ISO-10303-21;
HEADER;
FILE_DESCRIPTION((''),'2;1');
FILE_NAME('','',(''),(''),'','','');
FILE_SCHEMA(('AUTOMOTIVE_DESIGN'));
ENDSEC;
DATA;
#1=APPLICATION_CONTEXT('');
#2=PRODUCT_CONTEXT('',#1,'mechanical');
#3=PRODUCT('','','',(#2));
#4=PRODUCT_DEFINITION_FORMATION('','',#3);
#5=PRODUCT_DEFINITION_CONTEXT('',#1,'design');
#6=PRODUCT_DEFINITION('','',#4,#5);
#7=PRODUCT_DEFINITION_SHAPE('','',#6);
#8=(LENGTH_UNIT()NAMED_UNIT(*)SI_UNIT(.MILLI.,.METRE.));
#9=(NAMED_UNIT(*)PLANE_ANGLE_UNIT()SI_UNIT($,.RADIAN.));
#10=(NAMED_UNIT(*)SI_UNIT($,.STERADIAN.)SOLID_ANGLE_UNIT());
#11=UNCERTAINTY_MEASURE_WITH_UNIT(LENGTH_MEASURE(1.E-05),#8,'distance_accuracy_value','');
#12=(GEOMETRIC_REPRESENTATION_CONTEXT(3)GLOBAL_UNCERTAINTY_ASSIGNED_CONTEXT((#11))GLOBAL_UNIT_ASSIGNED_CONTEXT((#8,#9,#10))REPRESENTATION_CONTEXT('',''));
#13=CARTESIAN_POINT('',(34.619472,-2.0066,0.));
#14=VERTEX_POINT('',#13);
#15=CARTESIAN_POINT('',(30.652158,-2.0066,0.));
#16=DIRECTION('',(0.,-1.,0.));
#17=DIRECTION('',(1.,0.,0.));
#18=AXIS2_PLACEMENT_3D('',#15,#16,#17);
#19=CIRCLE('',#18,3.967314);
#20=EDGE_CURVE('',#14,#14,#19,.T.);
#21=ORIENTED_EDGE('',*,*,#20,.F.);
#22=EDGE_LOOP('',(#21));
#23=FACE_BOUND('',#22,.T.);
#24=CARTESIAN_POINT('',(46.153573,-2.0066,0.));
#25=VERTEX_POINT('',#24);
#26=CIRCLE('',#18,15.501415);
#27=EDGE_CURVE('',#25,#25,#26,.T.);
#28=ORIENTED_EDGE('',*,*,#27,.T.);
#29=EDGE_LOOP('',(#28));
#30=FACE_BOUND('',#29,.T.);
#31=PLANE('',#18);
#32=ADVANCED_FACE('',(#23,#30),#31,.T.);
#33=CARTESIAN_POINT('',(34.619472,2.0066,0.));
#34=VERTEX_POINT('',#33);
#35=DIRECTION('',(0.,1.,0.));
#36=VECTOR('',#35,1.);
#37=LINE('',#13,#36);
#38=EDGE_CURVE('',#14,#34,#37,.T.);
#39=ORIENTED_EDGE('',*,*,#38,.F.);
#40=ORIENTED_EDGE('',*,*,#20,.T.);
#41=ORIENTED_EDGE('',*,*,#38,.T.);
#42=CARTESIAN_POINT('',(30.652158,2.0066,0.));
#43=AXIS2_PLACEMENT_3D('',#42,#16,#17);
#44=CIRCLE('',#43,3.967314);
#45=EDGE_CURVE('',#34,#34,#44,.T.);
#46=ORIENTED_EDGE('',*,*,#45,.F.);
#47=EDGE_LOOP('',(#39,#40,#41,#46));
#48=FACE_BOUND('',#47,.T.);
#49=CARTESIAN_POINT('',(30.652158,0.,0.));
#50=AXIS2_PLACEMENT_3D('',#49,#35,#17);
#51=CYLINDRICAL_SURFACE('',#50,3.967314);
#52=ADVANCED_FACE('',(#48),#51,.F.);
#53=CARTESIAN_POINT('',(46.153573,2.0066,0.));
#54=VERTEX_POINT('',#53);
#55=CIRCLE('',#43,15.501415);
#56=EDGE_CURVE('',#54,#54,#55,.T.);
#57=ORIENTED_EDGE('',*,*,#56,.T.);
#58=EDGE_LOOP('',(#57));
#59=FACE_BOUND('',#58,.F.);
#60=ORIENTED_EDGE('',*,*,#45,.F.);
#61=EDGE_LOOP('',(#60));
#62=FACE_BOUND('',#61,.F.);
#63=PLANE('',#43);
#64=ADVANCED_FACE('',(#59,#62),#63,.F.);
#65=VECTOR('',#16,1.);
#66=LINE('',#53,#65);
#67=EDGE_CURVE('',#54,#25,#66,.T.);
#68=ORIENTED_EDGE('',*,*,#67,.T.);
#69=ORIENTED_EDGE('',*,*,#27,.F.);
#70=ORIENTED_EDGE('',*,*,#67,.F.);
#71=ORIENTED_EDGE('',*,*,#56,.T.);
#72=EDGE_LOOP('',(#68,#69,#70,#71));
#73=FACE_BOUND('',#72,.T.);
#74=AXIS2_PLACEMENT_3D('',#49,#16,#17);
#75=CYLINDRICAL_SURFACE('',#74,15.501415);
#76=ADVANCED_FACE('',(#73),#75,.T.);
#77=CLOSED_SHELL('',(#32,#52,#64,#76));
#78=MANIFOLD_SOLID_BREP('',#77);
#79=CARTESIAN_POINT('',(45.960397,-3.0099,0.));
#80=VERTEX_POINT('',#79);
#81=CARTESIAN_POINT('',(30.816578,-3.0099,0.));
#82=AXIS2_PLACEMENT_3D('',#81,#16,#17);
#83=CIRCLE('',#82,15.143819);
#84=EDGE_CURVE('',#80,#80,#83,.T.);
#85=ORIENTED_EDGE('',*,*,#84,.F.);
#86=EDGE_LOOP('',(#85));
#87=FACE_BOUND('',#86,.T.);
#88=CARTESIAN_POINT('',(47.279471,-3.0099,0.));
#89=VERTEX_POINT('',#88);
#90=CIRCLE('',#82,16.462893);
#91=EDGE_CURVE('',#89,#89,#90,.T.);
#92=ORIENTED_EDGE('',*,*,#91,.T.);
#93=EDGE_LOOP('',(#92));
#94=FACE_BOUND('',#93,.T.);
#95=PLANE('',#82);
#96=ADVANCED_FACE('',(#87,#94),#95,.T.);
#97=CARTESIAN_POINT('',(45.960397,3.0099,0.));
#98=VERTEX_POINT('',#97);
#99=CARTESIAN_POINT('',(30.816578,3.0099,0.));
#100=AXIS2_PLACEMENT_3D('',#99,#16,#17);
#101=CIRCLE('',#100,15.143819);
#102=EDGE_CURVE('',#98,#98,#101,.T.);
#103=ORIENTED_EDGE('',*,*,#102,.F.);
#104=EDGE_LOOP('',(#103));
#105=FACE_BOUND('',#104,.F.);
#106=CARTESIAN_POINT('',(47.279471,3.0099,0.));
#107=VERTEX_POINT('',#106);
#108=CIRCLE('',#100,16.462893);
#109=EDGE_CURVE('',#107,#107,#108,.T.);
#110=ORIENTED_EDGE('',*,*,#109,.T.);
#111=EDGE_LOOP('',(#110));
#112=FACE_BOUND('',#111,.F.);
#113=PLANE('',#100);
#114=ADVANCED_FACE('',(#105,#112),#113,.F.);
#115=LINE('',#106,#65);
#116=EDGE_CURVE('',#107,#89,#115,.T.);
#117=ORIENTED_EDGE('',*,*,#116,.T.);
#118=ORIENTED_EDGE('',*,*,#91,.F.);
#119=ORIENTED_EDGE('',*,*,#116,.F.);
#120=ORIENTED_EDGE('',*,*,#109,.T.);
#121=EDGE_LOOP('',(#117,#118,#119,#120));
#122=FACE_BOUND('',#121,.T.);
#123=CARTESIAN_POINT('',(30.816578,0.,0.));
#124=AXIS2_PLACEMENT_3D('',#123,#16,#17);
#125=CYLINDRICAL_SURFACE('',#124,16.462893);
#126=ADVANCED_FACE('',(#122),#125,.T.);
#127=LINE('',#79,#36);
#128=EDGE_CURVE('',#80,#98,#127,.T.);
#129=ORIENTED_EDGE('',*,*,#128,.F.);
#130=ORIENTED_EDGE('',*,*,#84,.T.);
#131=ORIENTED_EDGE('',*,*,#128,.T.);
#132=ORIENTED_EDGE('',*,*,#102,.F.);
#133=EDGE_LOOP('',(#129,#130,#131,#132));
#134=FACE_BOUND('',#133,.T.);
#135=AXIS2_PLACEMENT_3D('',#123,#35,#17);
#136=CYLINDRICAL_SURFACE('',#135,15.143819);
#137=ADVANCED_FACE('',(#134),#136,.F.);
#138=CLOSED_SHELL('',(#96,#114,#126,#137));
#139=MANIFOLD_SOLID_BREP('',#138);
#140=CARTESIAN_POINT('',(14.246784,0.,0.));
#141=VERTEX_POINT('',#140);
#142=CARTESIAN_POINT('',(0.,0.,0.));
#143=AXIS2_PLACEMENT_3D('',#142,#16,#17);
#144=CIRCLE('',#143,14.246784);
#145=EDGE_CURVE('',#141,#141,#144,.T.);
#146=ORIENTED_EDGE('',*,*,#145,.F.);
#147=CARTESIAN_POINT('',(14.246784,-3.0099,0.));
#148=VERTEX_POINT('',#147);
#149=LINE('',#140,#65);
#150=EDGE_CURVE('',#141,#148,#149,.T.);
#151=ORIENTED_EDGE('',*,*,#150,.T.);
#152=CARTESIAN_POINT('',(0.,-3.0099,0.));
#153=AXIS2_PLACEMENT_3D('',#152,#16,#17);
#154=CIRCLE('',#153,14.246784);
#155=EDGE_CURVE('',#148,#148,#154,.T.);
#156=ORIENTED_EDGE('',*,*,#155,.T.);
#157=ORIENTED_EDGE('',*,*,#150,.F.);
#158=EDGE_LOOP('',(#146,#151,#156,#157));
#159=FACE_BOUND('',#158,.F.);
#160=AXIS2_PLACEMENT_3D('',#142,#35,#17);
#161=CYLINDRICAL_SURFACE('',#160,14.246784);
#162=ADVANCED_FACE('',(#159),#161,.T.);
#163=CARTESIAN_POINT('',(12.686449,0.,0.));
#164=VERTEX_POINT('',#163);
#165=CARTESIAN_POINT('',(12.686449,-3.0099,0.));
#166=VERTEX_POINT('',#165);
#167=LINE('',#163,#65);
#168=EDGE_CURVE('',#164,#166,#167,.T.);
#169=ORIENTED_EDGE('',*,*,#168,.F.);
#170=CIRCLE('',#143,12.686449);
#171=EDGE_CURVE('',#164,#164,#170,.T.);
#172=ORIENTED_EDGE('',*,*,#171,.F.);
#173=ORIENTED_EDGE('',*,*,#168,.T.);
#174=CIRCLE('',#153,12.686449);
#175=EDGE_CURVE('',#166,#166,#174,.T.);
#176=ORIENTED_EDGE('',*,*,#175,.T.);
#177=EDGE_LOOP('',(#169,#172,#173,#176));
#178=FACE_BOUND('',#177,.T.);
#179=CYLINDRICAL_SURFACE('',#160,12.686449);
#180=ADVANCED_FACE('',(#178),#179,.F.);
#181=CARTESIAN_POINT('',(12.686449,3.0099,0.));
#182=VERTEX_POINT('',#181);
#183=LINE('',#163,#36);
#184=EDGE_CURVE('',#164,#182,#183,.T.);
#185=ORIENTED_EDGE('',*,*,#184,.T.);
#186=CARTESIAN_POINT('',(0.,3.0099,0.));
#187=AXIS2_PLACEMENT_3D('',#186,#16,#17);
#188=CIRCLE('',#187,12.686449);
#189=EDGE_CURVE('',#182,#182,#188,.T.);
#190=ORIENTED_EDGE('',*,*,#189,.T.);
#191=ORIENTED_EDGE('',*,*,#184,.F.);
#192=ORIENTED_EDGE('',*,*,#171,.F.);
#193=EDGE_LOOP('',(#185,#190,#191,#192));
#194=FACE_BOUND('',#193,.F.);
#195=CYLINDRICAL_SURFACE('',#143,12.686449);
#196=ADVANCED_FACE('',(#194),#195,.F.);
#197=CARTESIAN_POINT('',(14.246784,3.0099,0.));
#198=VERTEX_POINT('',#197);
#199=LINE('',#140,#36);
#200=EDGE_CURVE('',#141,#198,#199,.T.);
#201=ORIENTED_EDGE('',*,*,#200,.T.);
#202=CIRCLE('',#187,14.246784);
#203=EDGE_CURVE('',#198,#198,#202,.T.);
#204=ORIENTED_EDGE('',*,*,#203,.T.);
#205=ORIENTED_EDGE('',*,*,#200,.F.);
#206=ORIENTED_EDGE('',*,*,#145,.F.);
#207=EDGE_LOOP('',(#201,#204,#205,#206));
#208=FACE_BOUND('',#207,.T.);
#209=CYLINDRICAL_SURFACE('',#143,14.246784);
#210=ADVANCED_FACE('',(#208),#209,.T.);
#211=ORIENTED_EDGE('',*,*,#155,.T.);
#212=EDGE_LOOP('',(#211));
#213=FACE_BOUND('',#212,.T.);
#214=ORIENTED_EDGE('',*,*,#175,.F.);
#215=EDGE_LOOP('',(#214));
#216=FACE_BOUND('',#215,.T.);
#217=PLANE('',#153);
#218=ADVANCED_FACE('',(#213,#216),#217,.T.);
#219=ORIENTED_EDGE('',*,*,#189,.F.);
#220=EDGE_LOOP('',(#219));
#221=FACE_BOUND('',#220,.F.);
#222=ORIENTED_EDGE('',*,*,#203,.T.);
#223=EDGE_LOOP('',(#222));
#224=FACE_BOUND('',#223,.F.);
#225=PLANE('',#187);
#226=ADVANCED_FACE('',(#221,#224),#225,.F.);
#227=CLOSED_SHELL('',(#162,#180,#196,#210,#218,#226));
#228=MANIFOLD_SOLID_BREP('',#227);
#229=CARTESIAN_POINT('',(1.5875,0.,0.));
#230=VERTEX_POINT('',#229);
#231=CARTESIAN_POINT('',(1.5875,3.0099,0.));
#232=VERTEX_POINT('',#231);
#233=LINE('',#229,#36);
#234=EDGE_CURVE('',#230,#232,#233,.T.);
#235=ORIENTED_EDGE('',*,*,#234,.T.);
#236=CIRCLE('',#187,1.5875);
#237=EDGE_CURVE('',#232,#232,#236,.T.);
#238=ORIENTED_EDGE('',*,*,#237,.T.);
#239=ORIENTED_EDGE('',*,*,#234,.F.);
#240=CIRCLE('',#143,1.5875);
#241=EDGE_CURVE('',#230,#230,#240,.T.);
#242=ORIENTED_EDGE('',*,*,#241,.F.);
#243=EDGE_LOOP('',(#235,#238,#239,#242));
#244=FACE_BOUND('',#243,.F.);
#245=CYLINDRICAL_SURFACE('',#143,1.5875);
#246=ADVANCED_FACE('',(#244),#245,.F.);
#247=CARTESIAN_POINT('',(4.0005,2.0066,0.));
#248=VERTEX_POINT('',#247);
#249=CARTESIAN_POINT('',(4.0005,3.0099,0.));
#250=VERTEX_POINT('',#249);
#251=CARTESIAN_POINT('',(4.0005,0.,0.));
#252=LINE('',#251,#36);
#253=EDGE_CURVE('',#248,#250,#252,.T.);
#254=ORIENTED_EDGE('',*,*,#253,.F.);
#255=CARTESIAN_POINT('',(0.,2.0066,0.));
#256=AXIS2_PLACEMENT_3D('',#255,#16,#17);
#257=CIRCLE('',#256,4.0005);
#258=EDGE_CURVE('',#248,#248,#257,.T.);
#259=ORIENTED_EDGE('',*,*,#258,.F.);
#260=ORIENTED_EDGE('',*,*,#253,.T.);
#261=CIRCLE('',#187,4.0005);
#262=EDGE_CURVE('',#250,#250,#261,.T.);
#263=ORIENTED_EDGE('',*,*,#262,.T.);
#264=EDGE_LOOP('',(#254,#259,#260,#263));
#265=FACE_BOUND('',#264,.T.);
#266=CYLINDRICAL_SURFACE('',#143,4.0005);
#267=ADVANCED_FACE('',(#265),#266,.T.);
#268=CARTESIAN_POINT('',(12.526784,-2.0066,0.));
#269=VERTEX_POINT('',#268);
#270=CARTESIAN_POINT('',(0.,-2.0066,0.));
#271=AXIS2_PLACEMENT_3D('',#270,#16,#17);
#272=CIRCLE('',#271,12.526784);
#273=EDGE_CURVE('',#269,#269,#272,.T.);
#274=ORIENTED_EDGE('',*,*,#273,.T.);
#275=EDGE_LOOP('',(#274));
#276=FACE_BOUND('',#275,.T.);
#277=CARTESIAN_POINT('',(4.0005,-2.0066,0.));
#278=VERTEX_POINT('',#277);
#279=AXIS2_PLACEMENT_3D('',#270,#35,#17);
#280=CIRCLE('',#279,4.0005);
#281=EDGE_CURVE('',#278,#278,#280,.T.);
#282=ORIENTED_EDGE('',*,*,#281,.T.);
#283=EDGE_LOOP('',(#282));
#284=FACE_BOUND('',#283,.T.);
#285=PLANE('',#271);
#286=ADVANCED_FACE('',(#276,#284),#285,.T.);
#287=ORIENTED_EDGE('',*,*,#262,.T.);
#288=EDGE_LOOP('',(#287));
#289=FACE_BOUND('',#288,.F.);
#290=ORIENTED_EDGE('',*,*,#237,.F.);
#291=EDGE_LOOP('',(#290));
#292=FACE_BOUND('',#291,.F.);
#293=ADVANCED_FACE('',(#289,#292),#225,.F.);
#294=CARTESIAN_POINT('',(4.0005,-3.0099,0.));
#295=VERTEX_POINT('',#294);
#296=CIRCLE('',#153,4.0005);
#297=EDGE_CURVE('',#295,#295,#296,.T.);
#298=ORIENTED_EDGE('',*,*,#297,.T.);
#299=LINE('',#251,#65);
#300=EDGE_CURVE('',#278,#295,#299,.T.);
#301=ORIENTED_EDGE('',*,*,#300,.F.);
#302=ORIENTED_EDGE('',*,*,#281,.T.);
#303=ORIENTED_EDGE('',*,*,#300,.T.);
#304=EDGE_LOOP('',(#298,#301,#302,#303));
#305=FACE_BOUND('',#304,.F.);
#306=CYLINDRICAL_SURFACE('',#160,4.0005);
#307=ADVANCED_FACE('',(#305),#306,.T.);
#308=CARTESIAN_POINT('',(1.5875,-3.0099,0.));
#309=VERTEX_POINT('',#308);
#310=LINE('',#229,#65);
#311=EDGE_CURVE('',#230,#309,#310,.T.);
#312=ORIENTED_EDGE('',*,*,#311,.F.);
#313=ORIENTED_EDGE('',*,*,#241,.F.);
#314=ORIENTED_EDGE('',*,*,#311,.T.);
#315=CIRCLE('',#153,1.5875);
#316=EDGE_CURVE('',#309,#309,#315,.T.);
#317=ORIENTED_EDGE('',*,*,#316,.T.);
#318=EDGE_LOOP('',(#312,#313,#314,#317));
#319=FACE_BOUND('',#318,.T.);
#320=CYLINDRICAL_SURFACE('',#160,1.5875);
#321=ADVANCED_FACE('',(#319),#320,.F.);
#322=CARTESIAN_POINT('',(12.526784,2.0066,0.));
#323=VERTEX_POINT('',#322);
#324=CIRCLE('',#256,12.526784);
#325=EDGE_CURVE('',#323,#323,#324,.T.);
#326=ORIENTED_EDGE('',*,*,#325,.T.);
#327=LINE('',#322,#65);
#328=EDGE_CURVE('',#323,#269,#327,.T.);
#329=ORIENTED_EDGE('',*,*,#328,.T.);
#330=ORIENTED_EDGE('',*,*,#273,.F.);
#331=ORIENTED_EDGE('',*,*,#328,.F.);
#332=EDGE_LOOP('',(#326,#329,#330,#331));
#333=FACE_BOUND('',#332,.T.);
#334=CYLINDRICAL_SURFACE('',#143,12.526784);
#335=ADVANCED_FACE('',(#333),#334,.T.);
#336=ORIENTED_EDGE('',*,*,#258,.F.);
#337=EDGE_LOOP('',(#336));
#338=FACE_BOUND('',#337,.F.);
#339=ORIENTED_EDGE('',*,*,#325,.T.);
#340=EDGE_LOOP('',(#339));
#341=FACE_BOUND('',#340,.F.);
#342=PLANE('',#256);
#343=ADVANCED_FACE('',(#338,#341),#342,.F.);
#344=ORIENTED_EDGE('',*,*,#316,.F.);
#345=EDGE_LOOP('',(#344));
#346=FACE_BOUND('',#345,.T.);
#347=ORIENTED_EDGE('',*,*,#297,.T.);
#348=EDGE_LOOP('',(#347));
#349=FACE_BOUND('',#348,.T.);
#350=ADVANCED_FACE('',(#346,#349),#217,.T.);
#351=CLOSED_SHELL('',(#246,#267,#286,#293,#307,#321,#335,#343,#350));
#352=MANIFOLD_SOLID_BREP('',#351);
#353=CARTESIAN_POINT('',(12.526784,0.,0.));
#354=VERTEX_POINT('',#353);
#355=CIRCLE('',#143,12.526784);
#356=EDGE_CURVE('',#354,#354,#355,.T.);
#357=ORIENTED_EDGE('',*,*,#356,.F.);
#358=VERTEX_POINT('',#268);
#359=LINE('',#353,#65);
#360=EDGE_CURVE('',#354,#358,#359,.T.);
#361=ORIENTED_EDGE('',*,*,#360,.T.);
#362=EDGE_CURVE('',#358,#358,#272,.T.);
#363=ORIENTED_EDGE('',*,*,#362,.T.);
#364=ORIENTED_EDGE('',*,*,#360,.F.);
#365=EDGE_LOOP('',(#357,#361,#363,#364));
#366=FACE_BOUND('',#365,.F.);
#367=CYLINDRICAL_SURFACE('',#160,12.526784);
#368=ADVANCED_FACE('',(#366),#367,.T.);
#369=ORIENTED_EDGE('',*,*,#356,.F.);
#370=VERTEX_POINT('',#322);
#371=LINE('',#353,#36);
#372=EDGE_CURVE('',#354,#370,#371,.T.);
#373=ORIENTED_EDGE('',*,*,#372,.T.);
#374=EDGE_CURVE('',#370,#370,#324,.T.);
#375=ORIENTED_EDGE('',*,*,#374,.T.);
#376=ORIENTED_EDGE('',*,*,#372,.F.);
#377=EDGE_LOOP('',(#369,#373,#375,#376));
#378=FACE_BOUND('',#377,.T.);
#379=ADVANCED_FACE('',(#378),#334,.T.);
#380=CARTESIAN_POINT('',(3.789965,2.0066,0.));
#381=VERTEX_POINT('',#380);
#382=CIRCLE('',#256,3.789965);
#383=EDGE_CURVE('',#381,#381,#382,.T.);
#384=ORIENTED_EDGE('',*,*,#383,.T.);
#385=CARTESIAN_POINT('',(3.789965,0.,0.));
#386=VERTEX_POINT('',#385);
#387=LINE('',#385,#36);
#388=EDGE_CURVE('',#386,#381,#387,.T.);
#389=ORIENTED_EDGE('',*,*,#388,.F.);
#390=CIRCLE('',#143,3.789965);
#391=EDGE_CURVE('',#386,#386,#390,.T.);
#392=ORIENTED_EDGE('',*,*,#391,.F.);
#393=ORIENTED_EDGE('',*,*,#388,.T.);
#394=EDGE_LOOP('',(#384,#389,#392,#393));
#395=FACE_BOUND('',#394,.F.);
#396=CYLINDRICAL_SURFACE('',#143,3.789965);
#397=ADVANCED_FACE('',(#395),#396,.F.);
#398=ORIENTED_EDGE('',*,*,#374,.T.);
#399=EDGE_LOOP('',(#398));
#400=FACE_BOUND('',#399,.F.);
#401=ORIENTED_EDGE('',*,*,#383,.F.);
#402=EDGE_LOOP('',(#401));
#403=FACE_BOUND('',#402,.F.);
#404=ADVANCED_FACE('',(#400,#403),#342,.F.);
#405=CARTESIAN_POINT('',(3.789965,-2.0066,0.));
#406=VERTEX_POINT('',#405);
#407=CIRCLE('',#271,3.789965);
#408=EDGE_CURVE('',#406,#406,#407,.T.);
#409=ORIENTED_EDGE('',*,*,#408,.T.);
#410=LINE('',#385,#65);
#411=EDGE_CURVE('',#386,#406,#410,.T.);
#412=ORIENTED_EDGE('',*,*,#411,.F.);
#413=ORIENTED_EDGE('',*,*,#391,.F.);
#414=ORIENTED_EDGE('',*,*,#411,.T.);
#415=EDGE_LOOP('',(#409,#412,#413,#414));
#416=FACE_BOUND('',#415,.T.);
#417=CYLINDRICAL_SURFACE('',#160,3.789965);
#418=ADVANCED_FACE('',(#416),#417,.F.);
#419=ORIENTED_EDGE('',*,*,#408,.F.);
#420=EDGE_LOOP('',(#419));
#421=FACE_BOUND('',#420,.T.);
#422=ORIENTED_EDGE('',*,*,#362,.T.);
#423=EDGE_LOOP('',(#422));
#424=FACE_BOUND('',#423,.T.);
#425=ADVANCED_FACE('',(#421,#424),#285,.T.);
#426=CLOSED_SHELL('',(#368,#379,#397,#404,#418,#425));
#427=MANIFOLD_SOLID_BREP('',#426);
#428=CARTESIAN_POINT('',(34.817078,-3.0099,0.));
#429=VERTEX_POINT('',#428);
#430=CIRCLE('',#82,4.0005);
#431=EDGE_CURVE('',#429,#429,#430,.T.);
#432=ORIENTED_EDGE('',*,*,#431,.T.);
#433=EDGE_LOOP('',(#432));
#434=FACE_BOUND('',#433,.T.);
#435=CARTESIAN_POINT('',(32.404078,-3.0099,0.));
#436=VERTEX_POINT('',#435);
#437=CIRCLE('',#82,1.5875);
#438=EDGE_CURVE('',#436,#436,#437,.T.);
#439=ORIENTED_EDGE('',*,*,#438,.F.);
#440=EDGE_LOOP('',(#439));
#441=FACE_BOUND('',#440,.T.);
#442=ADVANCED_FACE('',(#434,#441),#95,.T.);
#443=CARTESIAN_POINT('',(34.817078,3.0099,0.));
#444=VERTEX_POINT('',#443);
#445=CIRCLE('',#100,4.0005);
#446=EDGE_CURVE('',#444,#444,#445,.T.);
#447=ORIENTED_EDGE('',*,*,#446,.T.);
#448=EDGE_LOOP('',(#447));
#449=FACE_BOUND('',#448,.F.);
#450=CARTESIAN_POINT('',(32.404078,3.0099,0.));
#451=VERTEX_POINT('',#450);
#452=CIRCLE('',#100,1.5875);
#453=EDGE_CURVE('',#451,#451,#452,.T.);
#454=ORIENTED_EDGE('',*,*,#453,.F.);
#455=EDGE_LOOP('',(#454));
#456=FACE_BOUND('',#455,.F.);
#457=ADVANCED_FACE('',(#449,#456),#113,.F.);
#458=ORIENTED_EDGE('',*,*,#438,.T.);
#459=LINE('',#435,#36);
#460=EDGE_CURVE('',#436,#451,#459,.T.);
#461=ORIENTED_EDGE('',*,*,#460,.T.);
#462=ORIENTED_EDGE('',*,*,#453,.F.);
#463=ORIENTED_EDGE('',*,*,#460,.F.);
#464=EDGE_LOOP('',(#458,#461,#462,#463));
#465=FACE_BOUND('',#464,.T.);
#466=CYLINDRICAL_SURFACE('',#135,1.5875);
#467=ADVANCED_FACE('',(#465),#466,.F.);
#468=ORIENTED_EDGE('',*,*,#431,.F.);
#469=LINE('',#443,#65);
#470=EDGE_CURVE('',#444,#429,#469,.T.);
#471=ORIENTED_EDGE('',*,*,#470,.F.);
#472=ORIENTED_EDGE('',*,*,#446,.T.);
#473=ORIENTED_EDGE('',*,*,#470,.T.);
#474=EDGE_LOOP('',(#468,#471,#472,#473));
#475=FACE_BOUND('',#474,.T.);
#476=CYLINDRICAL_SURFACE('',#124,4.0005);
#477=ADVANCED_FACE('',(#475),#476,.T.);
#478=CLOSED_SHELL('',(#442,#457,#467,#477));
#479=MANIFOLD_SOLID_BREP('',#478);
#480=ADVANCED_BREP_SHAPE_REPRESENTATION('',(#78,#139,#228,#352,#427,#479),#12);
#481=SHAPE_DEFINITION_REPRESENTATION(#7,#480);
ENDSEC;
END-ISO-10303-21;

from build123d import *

# Parameters (mm, degrees)
F0_R     = 4.0005
F0_R_2   = 1.5875
F1_DEPTH = 3.0099
F0_R_3   = 14.246784
F0_R_4   = 12.686449
F0_R_5   = 16.462893
F0_R_6   = 15.143819
F2_DEPTH = 3.0099
F3_R     = 12.526784
F3_R_2   = 3.789965
F4_DEPTH = 2.0066
F3_R_3   = 15.501415
F3_R_4   = 3.967314
F5_DEPTH = 2.0066


with BuildPart() as f1:
    # F0 (on Front) → F1 (new body, symmetric)
    with BuildSketch(Plane.XZ):
        Circle(F0_R)
        Circle(F0_R_2, mode=Mode.SUBTRACT)
        with Locations((30.816578, 0)):
            Circle(F0_R)
        with Locations((30.816578, 0)):
            Circle(F0_R_2, mode=Mode.SUBTRACT)
    extrude(amount=F1_DEPTH, both=True)

    # F3 (on Front) → F4 (join, symmetric)
    with BuildSketch(Plane.XZ):
        Circle(F3_R)
        Circle(F3_R_2, mode=Mode.SUBTRACT)
    extrude(amount=F4_DEPTH, both=True)


with BuildPart() as f2:
    # F0 (on Front) → F2 (new body, symmetric)
    with BuildSketch(Plane.XZ):
        Circle(F0_R_3)
        Circle(F0_R_4, mode=Mode.SUBTRACT)
        with Locations((30.816578, 0)):
            Circle(F0_R_5)
        with Locations((30.816578, 0)):
            Circle(F0_R_6, mode=Mode.SUBTRACT)
    extrude(amount=F2_DEPTH, both=True)


with BuildPart() as f5:
    # F3 (on Front) → F5 (new body, symmetric)
    with BuildSketch(Plane.XZ):
        Circle(F3_R)
        Circle(F3_R_2, mode=Mode.SUBTRACT)
        with Locations((30.652158, 0)):
            Circle(F3_R_3)
        with Locations((30.652158, 0)):
            Circle(F3_R_4, mode=Mode.SUBTRACT)
    extrude(amount=F5_DEPTH, both=True)


solid = Compound([f1.part, f2.part, f5.part])
